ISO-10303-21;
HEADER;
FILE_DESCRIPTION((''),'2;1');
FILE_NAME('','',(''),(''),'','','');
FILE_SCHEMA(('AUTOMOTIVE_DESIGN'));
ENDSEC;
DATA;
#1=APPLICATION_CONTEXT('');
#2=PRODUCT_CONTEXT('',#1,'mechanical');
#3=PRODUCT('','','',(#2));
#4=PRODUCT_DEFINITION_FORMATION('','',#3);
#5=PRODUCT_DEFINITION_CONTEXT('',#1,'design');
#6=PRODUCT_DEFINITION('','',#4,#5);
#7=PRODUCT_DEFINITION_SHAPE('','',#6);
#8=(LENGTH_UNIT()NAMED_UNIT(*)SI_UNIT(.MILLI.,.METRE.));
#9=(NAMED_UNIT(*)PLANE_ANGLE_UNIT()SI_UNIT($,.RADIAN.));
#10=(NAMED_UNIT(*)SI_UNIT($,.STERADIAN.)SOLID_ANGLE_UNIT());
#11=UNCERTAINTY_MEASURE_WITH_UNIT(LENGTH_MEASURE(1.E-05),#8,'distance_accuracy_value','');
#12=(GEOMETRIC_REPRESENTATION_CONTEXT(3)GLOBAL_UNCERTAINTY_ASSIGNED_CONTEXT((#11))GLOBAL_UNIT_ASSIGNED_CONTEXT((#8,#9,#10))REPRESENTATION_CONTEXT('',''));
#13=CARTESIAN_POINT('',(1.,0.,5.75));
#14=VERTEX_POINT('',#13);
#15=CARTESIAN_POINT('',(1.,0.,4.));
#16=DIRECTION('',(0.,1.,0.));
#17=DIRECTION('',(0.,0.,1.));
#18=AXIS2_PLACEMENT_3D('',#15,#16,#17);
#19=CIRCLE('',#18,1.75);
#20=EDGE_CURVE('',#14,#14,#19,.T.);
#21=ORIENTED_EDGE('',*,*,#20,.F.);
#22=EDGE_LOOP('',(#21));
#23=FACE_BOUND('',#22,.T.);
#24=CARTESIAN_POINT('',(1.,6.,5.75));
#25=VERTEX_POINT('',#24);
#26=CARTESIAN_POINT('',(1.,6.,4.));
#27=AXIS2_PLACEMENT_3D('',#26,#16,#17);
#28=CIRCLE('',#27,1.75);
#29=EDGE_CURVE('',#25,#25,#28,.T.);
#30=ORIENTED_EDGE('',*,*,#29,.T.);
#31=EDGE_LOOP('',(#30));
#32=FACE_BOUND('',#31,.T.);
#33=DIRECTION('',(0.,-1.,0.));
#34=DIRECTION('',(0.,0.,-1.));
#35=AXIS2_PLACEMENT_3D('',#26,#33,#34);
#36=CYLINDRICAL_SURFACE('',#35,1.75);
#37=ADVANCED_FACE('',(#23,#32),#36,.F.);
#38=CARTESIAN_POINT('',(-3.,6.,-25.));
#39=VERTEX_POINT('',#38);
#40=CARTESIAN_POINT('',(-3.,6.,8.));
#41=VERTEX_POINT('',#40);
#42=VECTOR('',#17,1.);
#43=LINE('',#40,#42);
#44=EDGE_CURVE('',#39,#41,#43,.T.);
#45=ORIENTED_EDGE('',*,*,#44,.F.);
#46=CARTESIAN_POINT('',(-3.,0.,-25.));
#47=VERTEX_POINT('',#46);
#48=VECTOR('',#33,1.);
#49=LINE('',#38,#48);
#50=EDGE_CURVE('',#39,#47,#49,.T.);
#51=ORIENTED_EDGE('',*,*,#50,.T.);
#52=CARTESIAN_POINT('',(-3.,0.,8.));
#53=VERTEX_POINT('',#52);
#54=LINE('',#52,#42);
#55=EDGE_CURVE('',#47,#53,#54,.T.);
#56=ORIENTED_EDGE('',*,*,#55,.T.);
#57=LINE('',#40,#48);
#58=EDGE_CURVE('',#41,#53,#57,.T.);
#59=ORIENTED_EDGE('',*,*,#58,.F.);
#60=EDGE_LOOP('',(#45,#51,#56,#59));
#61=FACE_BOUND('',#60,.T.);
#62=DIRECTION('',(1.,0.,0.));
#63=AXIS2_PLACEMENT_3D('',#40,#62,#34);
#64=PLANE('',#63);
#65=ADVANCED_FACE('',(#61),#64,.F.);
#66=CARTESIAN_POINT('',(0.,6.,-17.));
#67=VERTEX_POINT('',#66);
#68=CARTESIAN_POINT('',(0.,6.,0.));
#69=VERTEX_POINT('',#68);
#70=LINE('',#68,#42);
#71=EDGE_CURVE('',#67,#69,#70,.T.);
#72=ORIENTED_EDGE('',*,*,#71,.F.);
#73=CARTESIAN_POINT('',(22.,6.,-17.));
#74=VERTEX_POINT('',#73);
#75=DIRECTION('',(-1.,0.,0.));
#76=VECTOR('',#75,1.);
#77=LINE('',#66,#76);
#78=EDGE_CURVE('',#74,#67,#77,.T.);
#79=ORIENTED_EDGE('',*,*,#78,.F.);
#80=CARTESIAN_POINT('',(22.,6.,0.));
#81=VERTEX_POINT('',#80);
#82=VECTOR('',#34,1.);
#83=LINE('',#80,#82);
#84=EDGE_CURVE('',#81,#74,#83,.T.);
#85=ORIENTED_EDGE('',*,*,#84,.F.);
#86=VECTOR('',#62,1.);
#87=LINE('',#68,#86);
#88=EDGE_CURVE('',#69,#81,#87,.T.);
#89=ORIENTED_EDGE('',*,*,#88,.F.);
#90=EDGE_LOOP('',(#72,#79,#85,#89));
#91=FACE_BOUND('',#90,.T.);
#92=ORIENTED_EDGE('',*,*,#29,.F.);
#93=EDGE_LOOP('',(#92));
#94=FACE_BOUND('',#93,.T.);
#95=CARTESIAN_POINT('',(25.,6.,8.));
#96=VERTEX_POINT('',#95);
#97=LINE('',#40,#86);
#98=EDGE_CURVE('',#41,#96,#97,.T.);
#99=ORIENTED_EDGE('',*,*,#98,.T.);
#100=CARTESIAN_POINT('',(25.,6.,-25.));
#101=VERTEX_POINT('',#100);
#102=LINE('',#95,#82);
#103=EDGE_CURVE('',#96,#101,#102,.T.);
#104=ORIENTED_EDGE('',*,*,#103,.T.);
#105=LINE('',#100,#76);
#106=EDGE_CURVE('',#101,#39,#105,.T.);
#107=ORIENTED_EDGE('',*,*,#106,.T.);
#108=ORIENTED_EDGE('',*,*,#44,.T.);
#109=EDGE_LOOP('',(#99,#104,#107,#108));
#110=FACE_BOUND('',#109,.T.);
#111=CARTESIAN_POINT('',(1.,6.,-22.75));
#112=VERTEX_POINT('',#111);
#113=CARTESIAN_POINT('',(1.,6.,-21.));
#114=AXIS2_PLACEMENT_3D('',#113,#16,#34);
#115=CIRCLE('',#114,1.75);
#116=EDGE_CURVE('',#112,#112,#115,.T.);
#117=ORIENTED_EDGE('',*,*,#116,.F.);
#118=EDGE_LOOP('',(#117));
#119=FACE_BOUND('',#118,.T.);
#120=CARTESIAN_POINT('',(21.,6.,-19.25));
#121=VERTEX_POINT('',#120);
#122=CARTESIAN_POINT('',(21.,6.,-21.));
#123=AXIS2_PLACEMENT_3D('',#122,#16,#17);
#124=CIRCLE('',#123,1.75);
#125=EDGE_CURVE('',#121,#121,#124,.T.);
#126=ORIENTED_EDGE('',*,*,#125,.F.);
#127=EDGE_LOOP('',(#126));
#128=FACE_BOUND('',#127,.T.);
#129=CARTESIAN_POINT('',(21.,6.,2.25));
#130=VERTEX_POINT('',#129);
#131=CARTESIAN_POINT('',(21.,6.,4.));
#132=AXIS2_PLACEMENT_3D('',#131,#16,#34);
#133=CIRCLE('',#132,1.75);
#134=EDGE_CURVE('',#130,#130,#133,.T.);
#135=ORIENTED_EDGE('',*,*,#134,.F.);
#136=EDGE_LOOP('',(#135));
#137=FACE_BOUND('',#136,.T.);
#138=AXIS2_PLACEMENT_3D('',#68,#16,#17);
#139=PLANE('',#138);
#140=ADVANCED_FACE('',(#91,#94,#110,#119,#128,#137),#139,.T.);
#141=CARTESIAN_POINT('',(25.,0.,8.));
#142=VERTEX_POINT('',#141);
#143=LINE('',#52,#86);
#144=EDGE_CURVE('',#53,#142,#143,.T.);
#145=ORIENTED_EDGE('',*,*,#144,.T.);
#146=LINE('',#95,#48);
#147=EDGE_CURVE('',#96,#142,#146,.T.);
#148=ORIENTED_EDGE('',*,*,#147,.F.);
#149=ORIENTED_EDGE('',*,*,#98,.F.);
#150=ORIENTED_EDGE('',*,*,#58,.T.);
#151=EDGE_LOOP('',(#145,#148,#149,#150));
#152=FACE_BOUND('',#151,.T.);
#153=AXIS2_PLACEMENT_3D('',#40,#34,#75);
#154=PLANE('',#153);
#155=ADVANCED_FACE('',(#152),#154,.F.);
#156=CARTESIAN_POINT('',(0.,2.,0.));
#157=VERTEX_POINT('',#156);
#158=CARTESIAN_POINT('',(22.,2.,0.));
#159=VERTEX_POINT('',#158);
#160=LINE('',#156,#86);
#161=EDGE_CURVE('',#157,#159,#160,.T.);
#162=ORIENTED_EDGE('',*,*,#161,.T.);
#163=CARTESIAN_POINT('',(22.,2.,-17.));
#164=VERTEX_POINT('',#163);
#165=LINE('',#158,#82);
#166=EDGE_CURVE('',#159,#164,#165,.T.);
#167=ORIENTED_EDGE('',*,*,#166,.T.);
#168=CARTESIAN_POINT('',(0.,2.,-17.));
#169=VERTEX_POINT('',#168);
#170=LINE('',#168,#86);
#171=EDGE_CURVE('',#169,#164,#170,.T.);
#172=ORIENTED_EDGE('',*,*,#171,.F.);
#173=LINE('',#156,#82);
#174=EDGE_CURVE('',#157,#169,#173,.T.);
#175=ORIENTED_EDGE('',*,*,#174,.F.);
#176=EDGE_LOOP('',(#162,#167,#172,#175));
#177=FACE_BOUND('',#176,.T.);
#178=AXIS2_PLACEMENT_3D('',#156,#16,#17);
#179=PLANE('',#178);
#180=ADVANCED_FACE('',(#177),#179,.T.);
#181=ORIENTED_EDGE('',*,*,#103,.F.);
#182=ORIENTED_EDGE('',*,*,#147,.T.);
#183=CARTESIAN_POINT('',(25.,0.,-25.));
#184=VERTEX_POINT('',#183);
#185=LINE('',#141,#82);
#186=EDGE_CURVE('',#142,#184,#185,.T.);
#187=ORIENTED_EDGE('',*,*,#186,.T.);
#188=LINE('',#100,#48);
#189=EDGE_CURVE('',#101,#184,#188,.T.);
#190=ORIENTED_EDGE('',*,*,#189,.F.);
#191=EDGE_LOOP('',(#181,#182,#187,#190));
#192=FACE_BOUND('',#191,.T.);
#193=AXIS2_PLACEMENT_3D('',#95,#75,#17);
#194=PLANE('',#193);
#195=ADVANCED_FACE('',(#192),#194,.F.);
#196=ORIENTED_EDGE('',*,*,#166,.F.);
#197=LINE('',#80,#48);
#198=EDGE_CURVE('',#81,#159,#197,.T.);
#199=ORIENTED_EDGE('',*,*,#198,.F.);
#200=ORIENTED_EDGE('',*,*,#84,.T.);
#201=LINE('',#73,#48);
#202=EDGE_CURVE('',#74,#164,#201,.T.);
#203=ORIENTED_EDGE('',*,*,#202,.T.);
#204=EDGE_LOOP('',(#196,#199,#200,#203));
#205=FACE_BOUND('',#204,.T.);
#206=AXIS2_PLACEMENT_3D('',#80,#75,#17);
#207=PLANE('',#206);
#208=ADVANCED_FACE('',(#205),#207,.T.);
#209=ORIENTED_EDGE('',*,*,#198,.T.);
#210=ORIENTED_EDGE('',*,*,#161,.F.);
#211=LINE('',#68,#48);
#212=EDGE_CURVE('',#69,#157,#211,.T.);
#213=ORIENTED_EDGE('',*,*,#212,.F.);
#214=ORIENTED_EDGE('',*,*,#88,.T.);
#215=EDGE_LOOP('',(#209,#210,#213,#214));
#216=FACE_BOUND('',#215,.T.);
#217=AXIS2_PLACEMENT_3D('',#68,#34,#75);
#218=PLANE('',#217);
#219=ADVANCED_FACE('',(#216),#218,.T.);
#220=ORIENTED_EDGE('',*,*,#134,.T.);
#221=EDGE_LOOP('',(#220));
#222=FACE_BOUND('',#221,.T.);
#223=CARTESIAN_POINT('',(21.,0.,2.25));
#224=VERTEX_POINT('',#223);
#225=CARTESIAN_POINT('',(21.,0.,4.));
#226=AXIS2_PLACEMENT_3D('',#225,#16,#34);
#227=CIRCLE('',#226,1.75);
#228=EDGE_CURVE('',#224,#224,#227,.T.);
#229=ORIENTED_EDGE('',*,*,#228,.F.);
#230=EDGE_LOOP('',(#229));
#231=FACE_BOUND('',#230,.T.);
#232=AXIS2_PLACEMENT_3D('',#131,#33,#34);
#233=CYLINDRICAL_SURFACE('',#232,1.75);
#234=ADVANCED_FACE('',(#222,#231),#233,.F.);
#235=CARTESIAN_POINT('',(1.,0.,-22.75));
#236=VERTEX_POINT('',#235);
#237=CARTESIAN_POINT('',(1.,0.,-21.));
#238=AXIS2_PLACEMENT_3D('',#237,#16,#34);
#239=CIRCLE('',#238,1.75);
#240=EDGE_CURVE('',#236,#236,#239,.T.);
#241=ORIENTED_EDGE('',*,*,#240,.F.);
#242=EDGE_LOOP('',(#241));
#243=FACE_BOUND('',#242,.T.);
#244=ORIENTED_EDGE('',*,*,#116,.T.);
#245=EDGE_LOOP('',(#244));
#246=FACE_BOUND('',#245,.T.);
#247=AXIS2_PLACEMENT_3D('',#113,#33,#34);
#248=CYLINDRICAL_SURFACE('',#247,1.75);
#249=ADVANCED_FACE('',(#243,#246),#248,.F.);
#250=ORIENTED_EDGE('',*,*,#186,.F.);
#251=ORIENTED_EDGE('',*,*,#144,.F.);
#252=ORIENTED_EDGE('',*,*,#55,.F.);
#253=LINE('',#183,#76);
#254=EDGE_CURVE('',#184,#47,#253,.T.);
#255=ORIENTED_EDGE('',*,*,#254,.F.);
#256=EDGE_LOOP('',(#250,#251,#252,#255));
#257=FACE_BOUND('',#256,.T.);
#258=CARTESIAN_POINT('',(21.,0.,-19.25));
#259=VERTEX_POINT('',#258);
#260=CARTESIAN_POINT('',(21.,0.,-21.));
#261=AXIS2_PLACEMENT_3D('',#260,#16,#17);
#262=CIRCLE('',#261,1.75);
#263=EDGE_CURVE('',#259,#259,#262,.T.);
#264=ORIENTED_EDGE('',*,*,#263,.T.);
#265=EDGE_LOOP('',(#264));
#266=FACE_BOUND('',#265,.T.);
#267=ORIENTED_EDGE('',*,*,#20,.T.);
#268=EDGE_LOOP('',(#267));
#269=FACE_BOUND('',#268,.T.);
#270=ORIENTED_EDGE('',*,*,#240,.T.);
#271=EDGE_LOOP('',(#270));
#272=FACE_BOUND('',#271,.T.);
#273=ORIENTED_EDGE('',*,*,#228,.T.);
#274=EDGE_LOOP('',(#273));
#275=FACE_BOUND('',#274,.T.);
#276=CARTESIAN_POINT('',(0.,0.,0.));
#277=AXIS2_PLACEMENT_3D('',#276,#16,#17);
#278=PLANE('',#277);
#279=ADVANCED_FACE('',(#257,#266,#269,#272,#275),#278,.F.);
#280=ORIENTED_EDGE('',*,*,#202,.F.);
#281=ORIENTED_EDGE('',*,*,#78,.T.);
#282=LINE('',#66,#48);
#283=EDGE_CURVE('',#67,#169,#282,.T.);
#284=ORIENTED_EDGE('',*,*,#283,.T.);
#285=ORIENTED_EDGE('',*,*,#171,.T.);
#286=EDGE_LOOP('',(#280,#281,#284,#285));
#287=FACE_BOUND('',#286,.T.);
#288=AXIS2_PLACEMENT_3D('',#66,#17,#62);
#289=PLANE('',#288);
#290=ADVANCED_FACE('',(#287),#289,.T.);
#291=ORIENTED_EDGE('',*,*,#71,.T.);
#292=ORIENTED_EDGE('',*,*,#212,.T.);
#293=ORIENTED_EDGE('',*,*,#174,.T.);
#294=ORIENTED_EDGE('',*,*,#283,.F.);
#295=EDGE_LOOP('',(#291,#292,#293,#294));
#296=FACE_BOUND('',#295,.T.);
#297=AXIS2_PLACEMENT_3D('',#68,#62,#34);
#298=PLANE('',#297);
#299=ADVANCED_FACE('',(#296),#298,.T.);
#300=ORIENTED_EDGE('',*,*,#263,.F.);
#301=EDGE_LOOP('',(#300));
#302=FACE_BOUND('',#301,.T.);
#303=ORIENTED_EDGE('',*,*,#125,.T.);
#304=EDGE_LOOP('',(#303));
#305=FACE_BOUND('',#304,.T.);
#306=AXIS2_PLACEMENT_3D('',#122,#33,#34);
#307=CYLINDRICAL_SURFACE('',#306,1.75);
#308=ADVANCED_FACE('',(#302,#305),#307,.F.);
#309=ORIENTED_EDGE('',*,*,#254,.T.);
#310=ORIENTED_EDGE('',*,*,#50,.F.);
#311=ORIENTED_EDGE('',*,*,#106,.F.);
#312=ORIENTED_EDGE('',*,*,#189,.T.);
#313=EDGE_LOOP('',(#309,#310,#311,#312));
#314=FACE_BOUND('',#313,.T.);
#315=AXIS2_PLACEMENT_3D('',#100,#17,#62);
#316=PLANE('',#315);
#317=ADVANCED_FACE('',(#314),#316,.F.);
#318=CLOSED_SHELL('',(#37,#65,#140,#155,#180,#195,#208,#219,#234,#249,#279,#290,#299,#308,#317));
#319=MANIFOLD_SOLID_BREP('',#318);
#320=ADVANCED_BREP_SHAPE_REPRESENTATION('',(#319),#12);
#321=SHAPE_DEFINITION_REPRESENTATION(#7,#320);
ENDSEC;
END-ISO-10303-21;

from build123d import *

# Parameters (mm, degrees)
SKETCH1_W           = 22
SKETCH1_H           = 17
BOSS_EXTRUDE1_DEPTH = 2
SKETCH1_3_W         = 28
SKETCH1_3_H         = 33
SKETCH1_3_R         = 1.75
SKETCH1_3_W_2       = 22
SKETCH1_3_H_2       = 17
BOSS_EXTRUDE2_DEPTH = 6


with BuildPart() as part:
    # Sketch1 → Boss-Extrude1 (new body)
    with BuildSketch(Plane(origin=(0, 0, 0), x_dir=(1, 0, 0), z_dir=(0, 1, 0))):
        with Locations((11, 8.5)):
            Rectangle(SKETCH1_W, SKETCH1_H)
    extrude(amount=BOSS_EXTRUDE1_DEPTH)

    # Sketch1<3> → Boss-Extrude2 (add)
    with BuildSketch(Plane(origin=(0, 0, 0), x_dir=(1, 0, 0), z_dir=(0, 1, 0))):
        with Locations((11, 8.5)):
            Rectangle(SKETCH1_3_W, SKETCH1_3_H)
        with Locations((21, -4)):
            Circle(SKETCH1_3_R, mode=Mode.SUBTRACT)
        with Locations((1, -4)):
            Circle(SKETCH1_3_R, mode=Mode.SUBTRACT)
        with Locations((21, 21)):
            Circle(SKETCH1_3_R, mode=Mode.SUBTRACT)
        with Locations((1, 21)):
            Circle(SKETCH1_3_R, mode=Mode.SUBTRACT)
        with Locations((11, 8.5)):
            Rectangle(SKETCH1_3_W_2, SKETCH1_3_H_2, mode=Mode.SUBTRACT)
    extrude(amount=BOSS_EXTRUDE2_DEPTH)


solid = part.part
